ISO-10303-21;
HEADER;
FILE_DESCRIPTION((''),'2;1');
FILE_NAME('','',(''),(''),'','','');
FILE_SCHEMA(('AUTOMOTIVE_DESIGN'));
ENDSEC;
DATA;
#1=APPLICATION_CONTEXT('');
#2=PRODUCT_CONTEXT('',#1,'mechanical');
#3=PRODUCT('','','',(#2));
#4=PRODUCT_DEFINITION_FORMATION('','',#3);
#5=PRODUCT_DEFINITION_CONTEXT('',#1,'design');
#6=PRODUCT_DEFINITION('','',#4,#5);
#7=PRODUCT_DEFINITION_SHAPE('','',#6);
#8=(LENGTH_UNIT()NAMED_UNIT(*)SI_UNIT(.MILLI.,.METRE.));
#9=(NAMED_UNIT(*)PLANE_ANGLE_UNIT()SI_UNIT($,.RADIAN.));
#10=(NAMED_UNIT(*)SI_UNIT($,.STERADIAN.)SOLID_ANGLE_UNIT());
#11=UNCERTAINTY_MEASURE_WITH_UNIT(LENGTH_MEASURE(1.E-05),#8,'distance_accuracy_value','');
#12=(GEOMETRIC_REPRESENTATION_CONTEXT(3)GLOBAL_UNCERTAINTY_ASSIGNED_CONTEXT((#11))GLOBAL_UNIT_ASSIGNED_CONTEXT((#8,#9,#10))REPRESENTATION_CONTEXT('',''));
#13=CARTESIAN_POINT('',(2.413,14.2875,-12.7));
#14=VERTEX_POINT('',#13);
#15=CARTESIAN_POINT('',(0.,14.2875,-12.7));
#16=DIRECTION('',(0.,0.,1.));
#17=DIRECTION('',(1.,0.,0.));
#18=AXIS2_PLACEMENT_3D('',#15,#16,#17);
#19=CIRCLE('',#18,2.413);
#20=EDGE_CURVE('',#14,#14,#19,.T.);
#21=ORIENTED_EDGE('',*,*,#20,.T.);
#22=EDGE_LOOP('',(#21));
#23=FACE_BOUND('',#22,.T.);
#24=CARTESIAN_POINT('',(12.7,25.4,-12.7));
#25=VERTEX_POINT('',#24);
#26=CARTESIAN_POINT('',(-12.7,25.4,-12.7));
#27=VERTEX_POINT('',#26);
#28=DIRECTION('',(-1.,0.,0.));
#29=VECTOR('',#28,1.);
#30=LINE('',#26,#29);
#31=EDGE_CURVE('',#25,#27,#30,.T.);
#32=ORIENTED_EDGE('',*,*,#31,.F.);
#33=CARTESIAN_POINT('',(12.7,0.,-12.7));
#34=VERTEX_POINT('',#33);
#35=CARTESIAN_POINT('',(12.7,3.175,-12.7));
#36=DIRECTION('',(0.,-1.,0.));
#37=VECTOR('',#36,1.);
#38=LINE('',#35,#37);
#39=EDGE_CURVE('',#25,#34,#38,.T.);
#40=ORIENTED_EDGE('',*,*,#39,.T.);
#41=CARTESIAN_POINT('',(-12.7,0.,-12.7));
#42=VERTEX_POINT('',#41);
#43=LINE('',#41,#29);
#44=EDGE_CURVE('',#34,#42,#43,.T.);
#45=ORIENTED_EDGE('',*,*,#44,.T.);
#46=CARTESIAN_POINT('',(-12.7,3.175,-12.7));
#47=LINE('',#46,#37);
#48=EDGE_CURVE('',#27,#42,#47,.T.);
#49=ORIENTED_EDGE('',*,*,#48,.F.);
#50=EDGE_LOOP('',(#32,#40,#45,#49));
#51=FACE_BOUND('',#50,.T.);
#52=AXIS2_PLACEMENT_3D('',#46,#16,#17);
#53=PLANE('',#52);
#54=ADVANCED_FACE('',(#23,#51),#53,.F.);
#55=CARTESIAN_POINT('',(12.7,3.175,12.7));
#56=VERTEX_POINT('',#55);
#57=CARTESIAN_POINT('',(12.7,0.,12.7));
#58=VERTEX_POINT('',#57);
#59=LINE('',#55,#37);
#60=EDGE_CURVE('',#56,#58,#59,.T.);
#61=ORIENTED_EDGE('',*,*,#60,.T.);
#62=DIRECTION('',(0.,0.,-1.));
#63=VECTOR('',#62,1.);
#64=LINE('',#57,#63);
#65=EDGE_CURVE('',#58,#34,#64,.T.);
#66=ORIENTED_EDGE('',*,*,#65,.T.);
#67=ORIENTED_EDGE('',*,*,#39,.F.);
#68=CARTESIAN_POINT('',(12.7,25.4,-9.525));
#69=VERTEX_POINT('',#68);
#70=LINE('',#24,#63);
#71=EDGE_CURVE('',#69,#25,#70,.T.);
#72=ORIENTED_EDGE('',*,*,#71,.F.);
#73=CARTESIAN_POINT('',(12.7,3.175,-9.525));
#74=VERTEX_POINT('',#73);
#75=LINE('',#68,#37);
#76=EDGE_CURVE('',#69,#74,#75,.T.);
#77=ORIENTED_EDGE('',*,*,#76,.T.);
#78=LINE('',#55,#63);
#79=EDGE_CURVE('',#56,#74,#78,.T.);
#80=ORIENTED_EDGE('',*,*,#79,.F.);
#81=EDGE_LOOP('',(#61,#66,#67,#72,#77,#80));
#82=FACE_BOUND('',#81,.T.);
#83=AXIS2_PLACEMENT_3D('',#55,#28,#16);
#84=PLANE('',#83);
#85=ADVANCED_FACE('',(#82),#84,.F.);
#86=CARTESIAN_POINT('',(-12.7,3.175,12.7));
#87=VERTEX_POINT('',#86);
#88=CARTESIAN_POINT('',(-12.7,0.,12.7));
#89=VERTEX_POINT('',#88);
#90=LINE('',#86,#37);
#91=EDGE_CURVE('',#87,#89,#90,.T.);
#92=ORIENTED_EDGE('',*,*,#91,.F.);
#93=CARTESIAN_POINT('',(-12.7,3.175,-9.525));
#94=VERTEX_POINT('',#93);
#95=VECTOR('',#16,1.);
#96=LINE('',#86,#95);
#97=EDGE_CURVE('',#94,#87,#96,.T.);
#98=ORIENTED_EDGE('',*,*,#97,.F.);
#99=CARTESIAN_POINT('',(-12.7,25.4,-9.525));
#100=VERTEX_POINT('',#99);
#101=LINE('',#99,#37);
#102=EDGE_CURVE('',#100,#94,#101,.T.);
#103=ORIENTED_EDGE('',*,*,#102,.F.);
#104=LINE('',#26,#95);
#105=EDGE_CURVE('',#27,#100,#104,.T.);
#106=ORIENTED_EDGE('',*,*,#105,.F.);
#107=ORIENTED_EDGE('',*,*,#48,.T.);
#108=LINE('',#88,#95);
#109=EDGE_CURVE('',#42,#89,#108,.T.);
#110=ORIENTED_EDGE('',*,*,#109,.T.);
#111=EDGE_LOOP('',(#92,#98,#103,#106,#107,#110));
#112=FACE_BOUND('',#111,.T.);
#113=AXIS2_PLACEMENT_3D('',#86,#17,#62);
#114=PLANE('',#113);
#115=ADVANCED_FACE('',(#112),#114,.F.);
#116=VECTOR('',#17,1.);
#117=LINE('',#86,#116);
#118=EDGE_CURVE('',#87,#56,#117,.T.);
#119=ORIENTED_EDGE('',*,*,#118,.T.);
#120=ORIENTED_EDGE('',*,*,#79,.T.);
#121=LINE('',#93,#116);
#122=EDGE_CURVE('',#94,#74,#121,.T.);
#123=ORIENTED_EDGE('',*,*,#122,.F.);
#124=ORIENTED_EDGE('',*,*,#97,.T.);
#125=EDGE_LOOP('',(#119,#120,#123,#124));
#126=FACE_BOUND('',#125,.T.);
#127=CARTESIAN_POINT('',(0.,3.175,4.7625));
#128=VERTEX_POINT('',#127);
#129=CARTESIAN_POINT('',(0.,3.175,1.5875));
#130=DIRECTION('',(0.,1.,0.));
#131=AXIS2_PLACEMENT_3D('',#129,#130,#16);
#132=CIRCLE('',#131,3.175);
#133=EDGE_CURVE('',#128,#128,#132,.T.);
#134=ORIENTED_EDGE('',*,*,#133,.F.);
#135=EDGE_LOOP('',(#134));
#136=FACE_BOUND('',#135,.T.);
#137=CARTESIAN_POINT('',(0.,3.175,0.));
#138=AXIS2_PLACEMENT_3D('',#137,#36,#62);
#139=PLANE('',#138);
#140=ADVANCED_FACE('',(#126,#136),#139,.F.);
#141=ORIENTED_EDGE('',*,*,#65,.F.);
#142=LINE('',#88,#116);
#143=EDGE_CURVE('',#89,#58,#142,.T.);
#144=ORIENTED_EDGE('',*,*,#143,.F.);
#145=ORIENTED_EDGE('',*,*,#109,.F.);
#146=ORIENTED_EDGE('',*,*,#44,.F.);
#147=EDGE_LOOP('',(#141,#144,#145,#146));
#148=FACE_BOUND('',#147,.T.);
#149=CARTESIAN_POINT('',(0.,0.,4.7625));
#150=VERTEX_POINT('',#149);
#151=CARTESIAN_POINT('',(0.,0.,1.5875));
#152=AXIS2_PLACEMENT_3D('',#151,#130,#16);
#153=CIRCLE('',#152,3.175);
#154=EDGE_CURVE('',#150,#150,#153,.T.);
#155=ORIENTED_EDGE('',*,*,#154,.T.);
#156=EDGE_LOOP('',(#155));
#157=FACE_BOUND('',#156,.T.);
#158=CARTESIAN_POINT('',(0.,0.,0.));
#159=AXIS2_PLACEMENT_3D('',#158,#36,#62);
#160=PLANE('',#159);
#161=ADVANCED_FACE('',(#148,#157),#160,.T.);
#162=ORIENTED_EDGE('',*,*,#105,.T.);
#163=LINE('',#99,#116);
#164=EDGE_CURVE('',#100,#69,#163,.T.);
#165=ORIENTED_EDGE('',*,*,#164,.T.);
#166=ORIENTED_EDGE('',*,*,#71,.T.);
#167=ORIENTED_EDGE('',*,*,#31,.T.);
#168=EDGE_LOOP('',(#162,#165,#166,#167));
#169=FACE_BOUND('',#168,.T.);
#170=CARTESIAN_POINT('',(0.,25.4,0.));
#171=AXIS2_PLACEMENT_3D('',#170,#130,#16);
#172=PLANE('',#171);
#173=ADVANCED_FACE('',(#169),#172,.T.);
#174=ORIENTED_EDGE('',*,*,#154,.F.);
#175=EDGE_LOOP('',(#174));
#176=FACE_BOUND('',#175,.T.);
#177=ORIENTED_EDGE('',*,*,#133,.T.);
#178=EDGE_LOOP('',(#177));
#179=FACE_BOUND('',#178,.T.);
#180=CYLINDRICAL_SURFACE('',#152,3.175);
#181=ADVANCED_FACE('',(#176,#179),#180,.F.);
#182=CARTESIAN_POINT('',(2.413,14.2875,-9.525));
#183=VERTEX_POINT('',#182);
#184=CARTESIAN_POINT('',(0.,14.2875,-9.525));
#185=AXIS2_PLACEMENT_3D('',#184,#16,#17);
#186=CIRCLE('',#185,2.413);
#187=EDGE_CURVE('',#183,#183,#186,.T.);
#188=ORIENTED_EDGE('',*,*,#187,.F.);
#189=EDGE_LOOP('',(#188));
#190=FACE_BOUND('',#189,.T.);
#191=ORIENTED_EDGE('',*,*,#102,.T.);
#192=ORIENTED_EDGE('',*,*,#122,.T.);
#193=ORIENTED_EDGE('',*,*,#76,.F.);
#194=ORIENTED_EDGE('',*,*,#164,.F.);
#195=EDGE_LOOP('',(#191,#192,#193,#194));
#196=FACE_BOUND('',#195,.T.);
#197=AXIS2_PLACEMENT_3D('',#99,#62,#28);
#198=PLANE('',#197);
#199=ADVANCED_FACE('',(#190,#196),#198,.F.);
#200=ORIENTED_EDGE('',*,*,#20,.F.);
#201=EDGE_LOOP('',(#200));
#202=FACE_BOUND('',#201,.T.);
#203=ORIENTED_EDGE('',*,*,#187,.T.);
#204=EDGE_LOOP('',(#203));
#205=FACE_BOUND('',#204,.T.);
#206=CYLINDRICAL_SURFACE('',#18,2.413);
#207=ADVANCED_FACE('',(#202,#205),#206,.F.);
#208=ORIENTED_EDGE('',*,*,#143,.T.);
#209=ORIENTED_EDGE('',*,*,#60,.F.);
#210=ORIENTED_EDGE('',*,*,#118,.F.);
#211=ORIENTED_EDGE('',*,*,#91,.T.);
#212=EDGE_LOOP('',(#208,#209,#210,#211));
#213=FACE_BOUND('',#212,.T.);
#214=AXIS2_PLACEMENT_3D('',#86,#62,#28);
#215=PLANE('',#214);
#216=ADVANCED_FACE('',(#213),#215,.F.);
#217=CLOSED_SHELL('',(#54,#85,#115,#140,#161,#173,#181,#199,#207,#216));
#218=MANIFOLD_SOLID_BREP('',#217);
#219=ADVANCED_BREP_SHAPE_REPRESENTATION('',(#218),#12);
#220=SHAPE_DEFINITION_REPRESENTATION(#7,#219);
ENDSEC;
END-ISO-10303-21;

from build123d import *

# Parameters (mm, degrees)
SKETCH1_W           = 25.4
SKETCH1_H           = 25.4
BOSS_EXTRUDE1_DEPTH = 3.175
SKETCH6_W           = 25.4
SKETCH6_H           = 3.175
BOSS_EXTRUDE2_DEPTH = 22.225
SKETCH8_R           = 2.413
CUT_EXTRUDE3_DEPTH  = 3.175
SKETCH9_R           = 3.175
CUT_EXTRUDE4_DEPTH  = 3.175


with BuildPart() as part:
    # Sketch1 → Boss-Extrude1 (new body)
    with BuildSketch(Plane(origin=(0, 0, 0), x_dir=(1, 0, 0), z_dir=(0, 1, 0))):
        Rectangle(SKETCH1_W, SKETCH1_H)
    extrude(amount=BOSS_EXTRUDE1_DEPTH)

    # Sketch6 → Boss-Extrude2 (add)
    with BuildSketch(Plane(origin=(0, 3.175, 0), x_dir=(1, 0, 0), z_dir=(0, 1, 0))):
        with Locations((0, 11.1125)):
            Rectangle(SKETCH6_W, SKETCH6_H)
    extrude(amount=BOSS_EXTRUDE2_DEPTH)

    # Sketch8 → Cut-Extrude3 (cut)
    with BuildSketch(Plane.XY.offset(-9.525)):
        with Locations((0, 14.2875)):
            Circle(SKETCH8_R)
    extrude(amount=-CUT_EXTRUDE3_DEPTH, mode=Mode.SUBTRACT)

    # Sketch9 → Cut-Extrude4 (cut)
    with BuildSketch(Plane(origin=(0, 3.175, 0), x_dir=(1, 0, 0), z_dir=(0, 1, 0))):
        with Locations(Location((0, -1.5875, 0), (0, 0, 270))):
            Circle(SKETCH9_R)
    extrude(amount=-CUT_EXTRUDE4_DEPTH, mode=Mode.SUBTRACT)


solid = part.part
